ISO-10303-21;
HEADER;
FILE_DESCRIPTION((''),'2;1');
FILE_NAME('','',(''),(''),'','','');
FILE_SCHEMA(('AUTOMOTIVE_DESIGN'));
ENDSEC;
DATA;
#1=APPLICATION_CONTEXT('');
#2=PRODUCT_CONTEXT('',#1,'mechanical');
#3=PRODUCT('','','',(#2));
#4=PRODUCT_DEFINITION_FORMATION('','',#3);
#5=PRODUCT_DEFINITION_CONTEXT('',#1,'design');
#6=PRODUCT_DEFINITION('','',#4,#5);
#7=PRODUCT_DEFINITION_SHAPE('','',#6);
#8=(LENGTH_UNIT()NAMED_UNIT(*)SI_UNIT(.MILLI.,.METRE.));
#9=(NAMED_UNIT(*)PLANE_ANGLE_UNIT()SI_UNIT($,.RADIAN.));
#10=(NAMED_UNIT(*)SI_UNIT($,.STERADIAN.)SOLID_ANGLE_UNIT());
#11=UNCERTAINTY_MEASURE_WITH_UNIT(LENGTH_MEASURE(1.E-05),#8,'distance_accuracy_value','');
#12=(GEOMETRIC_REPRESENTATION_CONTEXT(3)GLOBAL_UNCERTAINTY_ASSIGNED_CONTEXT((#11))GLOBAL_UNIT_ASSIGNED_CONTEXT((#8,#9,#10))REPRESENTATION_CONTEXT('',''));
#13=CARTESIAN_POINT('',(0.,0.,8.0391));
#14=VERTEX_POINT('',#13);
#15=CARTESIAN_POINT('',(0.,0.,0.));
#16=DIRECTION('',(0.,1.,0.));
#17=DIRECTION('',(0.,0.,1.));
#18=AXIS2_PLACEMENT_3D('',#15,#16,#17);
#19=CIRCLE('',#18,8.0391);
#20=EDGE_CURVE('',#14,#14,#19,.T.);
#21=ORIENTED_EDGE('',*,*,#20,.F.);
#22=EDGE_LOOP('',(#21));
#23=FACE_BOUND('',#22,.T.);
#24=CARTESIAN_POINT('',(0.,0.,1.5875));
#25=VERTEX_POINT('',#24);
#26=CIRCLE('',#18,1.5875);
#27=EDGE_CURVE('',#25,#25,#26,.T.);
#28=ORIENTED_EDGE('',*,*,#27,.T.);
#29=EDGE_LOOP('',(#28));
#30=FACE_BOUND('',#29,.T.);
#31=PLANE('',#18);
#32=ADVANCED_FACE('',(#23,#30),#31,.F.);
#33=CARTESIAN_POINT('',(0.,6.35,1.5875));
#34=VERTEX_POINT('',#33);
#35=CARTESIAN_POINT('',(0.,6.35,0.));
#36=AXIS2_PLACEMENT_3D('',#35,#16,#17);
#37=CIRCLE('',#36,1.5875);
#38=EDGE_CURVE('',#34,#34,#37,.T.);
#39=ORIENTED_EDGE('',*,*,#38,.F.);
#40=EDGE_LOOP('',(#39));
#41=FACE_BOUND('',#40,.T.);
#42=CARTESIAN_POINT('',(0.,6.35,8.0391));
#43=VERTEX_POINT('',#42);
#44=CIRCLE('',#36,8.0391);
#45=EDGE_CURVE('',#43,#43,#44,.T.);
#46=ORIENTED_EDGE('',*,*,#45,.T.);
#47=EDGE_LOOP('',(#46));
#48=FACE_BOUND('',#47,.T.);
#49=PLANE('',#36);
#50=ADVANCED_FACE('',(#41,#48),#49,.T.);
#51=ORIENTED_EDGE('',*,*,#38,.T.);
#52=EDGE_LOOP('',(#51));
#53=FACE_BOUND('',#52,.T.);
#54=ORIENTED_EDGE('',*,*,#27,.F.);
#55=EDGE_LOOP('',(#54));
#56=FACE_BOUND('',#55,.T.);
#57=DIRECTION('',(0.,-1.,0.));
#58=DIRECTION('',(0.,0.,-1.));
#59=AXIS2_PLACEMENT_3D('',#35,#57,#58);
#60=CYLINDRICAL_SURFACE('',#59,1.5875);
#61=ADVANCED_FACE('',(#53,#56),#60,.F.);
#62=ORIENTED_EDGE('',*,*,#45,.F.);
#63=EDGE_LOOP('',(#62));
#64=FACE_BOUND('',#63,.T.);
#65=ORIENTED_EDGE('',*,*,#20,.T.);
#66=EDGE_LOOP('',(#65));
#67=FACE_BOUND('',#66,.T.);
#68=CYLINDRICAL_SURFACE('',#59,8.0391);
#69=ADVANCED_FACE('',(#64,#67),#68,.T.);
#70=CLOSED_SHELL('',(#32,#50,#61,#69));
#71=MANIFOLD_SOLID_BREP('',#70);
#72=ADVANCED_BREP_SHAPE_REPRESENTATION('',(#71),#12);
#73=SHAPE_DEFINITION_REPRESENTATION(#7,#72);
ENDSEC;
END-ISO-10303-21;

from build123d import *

# Parameters (mm, degrees)
SKETCH1_R           = 8.0391
SKETCH1_R_2         = 1.5875
BOSS_EXTRUDE1_DEPTH = 6.35


with BuildPart() as part:
    # Sketch1 → Boss-Extrude1 (new body)
    with BuildSketch(Plane(origin=(0, 0, 0), x_dir=(1, 0, 0), z_dir=(0, 1, 0))):
        Circle(SKETCH1_R)
        Circle(SKETCH1_R_2, mode=Mode.SUBTRACT)
    extrude(amount=BOSS_EXTRUDE1_DEPTH)


solid = part.part
